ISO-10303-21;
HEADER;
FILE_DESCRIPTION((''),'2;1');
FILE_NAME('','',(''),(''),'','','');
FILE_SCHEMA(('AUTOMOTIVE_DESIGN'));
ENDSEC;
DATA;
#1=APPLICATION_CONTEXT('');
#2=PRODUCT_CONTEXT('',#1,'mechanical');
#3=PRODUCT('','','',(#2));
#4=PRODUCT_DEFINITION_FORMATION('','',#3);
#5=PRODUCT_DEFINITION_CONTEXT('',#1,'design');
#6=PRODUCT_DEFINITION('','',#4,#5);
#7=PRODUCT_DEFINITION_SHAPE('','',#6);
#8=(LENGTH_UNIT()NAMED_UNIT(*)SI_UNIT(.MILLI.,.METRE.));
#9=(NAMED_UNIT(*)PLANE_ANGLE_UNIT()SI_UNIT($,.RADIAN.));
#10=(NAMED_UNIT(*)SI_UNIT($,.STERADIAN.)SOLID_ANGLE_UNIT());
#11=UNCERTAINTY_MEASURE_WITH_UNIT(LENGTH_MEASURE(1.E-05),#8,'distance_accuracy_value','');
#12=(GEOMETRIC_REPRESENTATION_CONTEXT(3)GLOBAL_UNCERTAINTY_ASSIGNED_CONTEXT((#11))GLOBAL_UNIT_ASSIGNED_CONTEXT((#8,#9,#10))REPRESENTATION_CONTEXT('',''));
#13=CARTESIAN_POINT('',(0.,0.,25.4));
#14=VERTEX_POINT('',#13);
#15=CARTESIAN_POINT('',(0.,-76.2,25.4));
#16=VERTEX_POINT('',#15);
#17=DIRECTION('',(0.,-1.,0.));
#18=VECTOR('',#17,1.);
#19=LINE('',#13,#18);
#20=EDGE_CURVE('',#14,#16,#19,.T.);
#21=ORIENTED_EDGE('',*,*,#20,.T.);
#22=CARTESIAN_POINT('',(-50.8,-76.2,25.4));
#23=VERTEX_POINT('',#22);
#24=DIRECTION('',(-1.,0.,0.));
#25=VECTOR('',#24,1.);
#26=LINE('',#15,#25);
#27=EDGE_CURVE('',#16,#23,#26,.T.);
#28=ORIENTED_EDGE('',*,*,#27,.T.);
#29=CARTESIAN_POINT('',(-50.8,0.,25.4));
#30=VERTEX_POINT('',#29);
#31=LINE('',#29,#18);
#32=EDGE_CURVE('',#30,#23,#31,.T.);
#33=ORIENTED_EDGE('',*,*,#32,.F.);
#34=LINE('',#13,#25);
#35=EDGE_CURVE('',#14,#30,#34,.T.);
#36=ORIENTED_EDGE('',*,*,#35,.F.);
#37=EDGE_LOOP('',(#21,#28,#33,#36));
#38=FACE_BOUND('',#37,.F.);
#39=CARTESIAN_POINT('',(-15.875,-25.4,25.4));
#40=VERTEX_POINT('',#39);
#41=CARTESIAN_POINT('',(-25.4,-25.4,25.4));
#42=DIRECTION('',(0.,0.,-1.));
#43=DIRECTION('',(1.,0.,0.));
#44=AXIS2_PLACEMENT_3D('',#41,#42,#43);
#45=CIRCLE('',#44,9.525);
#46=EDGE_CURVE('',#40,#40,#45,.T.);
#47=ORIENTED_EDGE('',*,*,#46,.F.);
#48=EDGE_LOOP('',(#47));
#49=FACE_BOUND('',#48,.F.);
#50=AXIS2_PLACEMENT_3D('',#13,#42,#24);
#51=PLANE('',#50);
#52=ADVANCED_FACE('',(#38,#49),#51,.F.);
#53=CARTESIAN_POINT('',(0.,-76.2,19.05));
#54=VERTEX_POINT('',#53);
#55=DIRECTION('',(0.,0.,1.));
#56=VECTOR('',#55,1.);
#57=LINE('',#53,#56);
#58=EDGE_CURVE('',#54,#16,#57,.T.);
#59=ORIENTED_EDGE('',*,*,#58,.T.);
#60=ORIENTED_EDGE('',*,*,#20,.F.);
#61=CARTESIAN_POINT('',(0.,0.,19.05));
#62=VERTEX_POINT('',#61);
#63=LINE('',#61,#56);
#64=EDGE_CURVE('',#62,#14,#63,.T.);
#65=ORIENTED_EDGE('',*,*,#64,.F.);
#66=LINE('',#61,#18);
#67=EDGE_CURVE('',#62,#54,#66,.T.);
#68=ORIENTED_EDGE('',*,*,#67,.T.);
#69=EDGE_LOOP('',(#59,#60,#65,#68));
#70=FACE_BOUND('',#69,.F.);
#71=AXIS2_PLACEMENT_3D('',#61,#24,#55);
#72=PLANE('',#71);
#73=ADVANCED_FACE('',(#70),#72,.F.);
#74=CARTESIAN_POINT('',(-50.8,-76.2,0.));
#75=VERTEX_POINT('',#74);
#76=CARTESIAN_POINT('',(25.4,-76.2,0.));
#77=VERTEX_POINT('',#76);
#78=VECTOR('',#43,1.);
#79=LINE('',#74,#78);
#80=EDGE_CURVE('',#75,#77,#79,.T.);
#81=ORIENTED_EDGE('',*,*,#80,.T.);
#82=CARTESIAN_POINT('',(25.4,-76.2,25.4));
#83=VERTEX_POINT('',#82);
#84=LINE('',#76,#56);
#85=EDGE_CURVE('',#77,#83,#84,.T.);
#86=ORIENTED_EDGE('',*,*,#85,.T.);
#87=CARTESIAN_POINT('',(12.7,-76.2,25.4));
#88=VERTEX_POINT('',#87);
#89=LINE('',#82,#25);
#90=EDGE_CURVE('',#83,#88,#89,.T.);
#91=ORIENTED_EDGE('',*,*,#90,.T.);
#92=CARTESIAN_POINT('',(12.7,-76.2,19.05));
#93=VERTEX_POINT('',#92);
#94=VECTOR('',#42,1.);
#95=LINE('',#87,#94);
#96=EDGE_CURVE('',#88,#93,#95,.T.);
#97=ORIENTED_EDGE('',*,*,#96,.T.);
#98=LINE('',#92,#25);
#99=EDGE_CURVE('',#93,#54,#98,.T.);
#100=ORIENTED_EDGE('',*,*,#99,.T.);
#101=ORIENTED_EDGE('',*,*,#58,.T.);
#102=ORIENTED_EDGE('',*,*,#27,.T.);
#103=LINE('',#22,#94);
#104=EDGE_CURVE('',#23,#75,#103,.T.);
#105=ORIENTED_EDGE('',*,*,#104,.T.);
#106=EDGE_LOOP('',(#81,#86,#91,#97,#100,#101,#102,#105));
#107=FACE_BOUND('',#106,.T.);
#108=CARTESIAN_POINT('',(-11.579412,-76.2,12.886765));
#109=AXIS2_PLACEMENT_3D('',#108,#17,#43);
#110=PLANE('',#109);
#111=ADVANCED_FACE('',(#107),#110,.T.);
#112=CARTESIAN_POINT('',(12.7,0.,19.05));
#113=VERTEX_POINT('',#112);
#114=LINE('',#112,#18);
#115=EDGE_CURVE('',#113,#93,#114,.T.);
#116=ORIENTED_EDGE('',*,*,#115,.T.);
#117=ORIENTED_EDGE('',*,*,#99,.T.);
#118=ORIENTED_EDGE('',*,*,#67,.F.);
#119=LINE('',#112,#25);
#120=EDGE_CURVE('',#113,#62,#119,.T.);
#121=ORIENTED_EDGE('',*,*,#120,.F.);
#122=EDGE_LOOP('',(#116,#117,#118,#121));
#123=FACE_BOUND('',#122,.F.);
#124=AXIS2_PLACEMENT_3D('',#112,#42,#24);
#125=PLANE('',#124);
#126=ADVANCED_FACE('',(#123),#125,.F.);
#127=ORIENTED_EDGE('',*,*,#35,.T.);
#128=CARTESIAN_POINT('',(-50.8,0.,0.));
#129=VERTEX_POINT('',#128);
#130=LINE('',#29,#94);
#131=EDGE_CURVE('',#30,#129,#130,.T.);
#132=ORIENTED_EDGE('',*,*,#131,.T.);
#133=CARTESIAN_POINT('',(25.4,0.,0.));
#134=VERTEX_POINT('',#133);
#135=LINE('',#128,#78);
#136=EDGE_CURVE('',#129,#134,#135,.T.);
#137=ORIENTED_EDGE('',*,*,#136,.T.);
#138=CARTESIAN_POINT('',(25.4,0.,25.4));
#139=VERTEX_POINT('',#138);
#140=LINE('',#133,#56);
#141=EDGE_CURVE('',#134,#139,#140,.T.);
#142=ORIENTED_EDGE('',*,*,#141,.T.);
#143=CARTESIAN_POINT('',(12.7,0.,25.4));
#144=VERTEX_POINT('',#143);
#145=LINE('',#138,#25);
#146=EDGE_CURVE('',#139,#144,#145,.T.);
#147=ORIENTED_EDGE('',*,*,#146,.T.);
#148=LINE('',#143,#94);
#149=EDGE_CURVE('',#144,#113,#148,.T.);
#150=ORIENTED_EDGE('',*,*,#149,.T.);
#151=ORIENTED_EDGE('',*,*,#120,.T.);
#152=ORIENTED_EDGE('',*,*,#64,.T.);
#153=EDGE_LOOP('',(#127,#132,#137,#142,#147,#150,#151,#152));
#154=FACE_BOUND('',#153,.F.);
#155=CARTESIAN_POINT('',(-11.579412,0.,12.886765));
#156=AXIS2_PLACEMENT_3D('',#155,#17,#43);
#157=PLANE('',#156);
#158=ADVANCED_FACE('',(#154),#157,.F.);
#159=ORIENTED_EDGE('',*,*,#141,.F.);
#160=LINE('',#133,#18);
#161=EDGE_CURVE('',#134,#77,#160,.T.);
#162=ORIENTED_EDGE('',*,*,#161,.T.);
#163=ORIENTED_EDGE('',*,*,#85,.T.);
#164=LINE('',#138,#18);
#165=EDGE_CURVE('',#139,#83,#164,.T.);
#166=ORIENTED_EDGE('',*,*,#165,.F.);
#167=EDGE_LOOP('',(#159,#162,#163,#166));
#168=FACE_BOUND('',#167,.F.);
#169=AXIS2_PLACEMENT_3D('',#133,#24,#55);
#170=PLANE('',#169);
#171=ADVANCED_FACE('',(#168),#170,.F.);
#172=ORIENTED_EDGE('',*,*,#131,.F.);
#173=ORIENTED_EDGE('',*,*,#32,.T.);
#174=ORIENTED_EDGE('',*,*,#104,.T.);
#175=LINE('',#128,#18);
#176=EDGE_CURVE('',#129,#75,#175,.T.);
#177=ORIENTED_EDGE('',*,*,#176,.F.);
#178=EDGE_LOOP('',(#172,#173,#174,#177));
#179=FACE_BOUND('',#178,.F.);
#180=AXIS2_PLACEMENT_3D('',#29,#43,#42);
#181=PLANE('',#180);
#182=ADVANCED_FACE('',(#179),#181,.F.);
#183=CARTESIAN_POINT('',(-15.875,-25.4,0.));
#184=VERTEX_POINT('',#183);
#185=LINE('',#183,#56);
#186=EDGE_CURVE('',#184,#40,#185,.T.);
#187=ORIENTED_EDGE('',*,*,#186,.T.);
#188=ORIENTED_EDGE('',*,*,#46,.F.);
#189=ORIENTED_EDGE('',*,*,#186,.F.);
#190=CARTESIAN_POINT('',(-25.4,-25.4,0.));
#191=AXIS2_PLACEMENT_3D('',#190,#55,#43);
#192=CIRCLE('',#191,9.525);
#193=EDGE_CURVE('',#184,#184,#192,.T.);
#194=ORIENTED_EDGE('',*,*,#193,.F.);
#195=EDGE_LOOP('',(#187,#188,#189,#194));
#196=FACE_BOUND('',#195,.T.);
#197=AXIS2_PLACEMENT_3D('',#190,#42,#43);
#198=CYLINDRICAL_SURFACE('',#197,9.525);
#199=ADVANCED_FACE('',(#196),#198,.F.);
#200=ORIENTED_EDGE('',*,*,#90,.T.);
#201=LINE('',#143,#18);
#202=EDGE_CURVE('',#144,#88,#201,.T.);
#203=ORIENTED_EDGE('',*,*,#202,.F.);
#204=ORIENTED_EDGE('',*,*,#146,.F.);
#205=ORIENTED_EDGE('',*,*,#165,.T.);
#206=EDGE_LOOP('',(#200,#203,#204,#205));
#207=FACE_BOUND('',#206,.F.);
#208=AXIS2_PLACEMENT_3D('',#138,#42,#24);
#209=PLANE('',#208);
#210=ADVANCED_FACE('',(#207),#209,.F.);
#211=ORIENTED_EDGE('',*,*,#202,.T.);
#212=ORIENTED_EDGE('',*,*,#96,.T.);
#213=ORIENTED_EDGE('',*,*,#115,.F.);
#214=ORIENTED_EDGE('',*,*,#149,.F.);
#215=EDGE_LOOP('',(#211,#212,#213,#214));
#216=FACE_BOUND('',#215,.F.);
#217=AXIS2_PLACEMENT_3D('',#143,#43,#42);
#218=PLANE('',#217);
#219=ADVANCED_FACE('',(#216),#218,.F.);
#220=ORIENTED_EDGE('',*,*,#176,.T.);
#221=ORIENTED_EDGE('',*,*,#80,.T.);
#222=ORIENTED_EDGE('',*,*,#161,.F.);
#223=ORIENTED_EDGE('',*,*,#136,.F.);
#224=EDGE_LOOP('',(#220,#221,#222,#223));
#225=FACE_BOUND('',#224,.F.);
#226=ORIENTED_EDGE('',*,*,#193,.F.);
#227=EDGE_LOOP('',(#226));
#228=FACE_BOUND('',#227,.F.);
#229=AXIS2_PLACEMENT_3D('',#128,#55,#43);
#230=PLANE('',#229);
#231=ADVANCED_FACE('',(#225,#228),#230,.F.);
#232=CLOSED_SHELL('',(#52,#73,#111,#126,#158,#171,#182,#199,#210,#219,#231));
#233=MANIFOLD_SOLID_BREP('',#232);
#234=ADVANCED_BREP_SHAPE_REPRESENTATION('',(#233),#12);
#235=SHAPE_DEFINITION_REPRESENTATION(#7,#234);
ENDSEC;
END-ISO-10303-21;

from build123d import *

# Parameters (mm, degrees)
F1_DEPTH = 76.2
F2_R     = 9.525
F3_DEPTH = 76.2


with BuildPart() as f1:
    # F0 (on Front) → F1 (new body)
    with BuildSketch(Plane.XZ):
        Polygon((-50.8, 0), (25.4, 0), (25.4, 25.4), (12.7, 25.4), (12.7, 19.05), (0, 19.05), (0, 25.4), (-50.8, 25.4), align=None)
    extrude(amount=F1_DEPTH)

    # F2 (on Top) → F3 (cut)
    with BuildSketch(Plane.XY):
        with Locations((-25.4, -25.4)):
            Circle(F2_R)
    extrude(amount=F3_DEPTH, mode=Mode.SUBTRACT)


solid = f1.part
